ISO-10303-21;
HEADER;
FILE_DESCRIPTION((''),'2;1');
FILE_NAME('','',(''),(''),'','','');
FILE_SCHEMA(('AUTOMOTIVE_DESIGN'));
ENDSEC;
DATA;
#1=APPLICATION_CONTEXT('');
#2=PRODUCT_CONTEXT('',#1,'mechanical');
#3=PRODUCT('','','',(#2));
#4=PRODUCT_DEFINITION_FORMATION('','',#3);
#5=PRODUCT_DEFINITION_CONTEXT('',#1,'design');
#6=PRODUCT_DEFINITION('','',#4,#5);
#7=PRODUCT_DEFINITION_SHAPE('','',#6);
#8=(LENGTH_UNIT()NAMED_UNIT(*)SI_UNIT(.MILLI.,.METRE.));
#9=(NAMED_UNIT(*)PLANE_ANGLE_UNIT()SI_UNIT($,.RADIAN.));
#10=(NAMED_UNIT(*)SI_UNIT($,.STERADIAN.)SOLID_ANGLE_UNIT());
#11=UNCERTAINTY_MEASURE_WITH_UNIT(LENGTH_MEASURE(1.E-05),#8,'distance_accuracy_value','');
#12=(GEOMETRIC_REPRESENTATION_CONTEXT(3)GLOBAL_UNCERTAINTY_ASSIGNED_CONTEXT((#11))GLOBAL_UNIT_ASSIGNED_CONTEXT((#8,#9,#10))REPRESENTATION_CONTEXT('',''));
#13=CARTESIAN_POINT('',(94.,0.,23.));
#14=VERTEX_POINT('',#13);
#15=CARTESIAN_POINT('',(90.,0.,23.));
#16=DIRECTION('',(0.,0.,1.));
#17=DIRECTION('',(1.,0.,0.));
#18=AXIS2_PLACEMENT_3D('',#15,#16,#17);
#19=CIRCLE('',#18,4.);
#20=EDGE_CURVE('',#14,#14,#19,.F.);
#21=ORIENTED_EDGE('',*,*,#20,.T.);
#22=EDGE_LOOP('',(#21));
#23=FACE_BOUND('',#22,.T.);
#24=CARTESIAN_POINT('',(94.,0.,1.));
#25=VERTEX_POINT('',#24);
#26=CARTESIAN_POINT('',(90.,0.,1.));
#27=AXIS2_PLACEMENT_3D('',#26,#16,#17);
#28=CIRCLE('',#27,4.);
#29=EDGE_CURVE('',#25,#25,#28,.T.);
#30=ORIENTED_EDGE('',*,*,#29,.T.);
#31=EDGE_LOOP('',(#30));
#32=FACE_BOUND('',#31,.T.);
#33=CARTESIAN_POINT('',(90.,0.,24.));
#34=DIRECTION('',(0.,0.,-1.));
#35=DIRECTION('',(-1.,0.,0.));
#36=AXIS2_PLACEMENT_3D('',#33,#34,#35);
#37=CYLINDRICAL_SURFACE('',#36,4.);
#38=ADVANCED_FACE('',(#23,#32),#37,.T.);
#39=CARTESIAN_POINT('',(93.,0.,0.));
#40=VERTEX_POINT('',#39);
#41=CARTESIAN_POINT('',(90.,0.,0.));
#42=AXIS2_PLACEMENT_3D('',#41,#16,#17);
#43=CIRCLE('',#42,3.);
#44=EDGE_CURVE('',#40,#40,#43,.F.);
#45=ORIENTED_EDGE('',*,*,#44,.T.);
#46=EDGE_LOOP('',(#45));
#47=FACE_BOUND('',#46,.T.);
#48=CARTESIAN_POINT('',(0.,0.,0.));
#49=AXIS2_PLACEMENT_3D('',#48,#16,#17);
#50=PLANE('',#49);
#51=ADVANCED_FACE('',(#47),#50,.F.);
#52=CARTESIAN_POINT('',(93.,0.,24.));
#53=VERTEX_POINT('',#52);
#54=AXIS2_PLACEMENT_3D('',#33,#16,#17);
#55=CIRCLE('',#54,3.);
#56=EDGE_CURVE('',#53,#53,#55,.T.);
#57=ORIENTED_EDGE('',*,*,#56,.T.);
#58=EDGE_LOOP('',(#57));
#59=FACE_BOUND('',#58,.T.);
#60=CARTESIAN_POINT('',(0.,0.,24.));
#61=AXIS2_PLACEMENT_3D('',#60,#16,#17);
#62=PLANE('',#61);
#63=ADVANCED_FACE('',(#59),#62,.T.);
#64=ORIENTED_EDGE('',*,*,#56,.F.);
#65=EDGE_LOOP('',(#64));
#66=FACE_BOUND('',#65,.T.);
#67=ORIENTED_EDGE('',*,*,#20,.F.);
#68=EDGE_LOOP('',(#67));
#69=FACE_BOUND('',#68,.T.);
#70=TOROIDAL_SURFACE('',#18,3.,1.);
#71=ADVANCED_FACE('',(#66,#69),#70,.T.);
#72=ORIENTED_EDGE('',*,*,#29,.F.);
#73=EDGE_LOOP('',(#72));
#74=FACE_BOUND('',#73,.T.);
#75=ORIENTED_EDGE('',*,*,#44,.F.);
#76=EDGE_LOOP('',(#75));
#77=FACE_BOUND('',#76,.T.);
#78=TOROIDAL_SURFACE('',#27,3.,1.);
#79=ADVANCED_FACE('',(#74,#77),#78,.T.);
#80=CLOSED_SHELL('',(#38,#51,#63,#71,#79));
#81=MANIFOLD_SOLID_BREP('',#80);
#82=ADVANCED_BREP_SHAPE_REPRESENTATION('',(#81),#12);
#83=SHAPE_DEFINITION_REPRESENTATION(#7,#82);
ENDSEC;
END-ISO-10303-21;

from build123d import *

# Parameters (mm, degrees)
BOSS_EXTRUDE1_DEPTH = 24
FILLET1_R           = 1


with BuildPart() as part:
    # Sketch1 → Boss-Extrude1 (new body)
    with BuildSketch(Plane.XY):
        with BuildLine():
            ThreePointArc((94, 0), (93.625231148, 1.690473047), (92.571150439, 3.064177772))
            ThreePointArc((92.571150439, 3.064177772), (86, 0), (92.571150439, -3.064177772))
            ThreePointArc((92.571150439, -3.064177772), (93.625231148, -1.690473047), (94, 0))
        make_face()
    extrude(amount=BOSS_EXTRUDE1_DEPTH)

    # Fillet1
    fillet1_edges = [part.edges().sort_by_distance(p)[0] for p in [
        (87.428849561, 3.064177772, 0),
        (87.428849561, 3.064177772, 24),
    ]]
    fillet(fillet1_edges, radius=FILLET1_R)


solid = part.part
